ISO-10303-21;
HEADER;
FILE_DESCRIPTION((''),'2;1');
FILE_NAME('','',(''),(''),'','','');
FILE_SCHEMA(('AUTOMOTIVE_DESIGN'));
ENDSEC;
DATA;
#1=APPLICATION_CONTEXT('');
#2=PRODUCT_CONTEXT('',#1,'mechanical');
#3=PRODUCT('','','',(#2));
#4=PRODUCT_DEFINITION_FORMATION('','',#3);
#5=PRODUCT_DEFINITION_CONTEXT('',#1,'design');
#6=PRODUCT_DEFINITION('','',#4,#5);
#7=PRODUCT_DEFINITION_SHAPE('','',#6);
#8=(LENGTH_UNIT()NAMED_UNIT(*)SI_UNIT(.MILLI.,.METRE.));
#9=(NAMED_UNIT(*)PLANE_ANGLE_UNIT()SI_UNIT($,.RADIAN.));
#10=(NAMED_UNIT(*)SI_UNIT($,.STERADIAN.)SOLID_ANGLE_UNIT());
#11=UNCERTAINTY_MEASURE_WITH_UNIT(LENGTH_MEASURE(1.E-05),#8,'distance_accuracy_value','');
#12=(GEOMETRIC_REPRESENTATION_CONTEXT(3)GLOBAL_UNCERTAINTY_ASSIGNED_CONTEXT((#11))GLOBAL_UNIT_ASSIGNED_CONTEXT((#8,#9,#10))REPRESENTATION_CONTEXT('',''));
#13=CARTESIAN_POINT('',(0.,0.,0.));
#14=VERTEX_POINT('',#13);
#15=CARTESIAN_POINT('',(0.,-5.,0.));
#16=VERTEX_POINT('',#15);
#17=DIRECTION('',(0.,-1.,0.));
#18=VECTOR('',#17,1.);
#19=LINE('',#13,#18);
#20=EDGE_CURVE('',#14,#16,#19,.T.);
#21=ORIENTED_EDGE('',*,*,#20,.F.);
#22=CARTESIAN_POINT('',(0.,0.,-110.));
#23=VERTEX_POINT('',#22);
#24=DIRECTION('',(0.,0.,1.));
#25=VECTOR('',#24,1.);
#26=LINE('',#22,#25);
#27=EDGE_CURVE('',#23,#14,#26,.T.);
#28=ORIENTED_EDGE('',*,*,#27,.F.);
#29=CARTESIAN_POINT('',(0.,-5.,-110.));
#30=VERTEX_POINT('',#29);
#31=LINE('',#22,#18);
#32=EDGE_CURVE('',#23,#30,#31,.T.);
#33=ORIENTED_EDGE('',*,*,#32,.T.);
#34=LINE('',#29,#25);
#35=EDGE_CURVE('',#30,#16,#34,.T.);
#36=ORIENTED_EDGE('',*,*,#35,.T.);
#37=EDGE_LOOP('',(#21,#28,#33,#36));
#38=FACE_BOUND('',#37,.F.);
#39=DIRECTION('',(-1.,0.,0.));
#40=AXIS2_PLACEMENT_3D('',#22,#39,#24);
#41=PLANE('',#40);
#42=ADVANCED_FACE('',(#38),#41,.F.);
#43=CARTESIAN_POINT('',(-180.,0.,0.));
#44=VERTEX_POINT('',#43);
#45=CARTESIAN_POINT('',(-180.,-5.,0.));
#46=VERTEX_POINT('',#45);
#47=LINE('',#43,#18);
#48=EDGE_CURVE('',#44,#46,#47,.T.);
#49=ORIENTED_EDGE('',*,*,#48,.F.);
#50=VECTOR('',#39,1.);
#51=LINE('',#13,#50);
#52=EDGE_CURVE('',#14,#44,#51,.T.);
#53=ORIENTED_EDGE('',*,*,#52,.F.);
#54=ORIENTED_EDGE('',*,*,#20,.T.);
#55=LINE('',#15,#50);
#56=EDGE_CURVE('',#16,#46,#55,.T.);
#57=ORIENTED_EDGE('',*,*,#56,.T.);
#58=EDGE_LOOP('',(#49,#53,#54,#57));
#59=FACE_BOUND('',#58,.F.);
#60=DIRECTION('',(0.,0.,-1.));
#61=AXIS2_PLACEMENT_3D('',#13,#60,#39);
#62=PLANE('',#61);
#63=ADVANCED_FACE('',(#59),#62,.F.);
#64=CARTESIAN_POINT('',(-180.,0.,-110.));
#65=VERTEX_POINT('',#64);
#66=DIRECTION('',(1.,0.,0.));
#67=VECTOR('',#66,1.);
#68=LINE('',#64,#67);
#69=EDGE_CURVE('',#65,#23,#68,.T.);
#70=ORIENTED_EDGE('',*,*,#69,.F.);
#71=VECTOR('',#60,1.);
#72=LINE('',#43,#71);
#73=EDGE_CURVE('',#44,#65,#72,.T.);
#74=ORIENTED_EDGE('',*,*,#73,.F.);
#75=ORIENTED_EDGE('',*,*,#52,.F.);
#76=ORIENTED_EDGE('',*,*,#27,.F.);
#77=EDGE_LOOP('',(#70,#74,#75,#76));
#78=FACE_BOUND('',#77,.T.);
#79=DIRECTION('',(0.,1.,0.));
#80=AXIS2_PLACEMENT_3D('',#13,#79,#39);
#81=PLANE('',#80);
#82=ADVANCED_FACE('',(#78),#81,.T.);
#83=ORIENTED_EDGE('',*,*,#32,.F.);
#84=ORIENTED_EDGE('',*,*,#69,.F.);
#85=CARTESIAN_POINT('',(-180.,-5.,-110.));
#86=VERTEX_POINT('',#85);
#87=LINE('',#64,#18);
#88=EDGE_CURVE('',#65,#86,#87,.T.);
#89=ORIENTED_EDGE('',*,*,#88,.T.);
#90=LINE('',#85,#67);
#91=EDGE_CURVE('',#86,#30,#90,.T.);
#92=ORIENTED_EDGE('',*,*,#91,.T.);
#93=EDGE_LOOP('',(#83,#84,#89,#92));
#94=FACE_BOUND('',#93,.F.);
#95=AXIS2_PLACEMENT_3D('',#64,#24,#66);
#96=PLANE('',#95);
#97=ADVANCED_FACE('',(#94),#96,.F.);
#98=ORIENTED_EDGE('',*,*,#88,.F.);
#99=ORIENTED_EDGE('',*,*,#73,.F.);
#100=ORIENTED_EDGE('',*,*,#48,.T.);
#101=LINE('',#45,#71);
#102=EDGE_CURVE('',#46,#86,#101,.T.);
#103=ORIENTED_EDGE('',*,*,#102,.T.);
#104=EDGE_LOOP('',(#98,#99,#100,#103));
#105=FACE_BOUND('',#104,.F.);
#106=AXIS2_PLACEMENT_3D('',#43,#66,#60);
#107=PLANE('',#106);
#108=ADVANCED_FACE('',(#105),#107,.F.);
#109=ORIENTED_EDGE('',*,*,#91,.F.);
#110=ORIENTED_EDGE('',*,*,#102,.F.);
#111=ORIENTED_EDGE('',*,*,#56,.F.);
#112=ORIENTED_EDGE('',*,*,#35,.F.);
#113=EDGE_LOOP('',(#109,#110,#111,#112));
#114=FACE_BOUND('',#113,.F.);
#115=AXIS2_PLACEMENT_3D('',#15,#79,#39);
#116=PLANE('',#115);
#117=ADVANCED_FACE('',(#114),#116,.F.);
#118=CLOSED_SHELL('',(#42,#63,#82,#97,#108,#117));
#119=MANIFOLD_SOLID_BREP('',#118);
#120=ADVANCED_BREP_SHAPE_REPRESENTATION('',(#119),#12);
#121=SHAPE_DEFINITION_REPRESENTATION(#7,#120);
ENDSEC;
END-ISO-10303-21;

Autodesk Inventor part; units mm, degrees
ref_plane "YZ Plane" through (0, 0, 0) normal (1, 0, 0) x (0, 1, 0)
ref_plane "XZ Plane" through (0, 0, 0) normal (0, 1, 0) x (-1, 0, 0)
ref_plane "XY Plane" through (0, 0, 0) normal (0, 0, 1) x (1, 0, 0)
sketch "Sketch1" plane through (0, 0, 0) normal (0, 1, 0) x (-1, 0, 0)
  line L0 (0, 0) -> (180, 0)
  line L1 (180, 0) -> (180, -110)
  line L2 (180, -110) -> (0, -110)
  line L3 (0, -110) -> (0, 0)
  dimension "d0" = 110
  dimension "d32" = 180
extrude "Extrusion1" add sketch "Sketch1" against normal blind 5
properties part number "electronics plate"
